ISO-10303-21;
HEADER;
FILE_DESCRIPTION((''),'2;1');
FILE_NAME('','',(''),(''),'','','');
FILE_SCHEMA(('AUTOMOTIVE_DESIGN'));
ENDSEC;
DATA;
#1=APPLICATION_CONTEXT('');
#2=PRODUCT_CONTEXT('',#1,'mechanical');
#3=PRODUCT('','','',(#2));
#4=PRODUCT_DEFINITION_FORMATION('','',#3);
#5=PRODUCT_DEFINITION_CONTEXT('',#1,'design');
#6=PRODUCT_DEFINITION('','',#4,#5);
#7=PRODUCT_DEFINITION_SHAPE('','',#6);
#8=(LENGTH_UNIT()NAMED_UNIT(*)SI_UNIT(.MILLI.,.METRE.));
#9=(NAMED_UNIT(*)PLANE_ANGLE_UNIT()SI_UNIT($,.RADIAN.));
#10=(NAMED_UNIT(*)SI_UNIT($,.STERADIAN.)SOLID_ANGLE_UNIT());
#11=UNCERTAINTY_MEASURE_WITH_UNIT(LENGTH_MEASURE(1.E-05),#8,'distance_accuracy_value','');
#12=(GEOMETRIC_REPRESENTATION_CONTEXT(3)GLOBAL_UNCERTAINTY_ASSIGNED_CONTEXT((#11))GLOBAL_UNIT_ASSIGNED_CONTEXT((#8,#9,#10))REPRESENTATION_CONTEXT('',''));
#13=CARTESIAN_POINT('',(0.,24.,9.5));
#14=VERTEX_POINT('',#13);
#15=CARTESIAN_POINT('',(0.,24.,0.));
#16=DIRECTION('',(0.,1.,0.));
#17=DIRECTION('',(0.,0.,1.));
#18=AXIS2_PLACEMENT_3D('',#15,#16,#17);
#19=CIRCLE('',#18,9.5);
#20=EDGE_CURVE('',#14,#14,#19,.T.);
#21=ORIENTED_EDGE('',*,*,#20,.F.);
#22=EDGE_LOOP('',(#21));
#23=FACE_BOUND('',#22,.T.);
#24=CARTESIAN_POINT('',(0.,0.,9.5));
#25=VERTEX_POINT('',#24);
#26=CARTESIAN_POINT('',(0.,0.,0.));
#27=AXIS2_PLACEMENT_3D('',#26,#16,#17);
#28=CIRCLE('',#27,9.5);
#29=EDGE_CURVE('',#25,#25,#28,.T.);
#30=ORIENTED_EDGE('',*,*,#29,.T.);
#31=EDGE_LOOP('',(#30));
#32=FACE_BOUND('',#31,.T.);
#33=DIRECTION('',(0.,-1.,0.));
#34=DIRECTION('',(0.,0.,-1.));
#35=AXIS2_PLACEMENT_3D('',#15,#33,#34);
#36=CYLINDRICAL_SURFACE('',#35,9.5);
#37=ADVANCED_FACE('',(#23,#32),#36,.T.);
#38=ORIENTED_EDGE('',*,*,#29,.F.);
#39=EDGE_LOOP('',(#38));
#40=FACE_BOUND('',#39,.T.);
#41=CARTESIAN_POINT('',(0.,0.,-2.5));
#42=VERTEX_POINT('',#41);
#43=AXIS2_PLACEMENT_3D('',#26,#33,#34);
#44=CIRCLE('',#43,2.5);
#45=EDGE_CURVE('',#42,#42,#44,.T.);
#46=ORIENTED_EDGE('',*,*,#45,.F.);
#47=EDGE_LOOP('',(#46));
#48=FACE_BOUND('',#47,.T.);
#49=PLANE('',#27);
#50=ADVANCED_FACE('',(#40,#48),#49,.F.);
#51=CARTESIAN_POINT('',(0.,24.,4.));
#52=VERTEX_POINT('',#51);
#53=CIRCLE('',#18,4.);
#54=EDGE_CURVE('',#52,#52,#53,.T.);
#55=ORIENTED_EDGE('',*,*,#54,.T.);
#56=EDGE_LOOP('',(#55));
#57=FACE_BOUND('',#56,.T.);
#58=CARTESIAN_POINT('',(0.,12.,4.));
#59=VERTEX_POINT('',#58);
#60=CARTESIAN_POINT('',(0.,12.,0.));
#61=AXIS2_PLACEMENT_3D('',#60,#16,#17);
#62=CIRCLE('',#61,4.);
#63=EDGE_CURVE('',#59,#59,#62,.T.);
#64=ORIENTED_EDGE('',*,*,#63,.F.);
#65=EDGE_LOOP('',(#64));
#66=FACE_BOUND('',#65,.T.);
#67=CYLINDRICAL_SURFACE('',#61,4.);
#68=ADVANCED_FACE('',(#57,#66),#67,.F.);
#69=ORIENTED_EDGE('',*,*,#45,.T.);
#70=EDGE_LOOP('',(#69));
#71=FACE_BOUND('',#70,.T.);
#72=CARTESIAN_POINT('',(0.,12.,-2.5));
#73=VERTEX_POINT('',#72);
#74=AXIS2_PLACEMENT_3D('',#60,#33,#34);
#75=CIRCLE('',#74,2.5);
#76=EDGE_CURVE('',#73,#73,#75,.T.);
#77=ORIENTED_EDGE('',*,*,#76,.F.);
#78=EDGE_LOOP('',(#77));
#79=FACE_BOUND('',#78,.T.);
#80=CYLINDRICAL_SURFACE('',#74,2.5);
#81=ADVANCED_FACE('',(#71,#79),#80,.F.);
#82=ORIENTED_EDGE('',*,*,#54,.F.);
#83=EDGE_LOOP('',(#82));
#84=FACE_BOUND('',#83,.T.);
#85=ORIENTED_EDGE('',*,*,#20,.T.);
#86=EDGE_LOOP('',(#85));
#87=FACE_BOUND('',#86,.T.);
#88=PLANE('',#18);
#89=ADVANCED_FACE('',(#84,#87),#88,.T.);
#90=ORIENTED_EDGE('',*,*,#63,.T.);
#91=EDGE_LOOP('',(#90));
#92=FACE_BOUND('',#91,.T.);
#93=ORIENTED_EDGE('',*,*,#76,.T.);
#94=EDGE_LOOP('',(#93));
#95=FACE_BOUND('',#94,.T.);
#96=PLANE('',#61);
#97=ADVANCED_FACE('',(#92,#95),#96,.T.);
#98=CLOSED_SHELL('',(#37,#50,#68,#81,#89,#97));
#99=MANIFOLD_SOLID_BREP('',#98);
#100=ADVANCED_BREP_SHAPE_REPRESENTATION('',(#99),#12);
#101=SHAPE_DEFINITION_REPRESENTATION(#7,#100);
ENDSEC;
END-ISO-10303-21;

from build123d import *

# Parameters (mm, degrees)
SKETCH1_R           = 9.5
BOSS_EXTRUDE1_DEPTH = 24
SKETCH2_R           = 4
CUT_EXTRUDE1_DEPTH  = 12
SKETCH3_R           = 2.5
CUT_EXTRUDE2_DEPTH  = 12


with BuildPart() as part:
    # Sketch1 → Boss-Extrude1 (new body)
    with BuildSketch(Plane(origin=(0, 0, 0), x_dir=(1, 0, 0), z_dir=(0, 1, 0))):
        Circle(SKETCH1_R)
    extrude(amount=BOSS_EXTRUDE1_DEPTH)

    # Sketch2 → Cut-Extrude1 (cut)
    with BuildSketch(Plane(origin=(0, 24, 0), x_dir=(1, 0, 0), z_dir=(0, 1, 0))):
        Circle(SKETCH2_R)
    extrude(amount=-CUT_EXTRUDE1_DEPTH, mode=Mode.SUBTRACT)

    # Sketch3 → Cut-Extrude2 (cut)
    with BuildSketch(Plane.XZ):
        Circle(SKETCH3_R)
    extrude(amount=-CUT_EXTRUDE2_DEPTH, mode=Mode.SUBTRACT)


solid = part.part
